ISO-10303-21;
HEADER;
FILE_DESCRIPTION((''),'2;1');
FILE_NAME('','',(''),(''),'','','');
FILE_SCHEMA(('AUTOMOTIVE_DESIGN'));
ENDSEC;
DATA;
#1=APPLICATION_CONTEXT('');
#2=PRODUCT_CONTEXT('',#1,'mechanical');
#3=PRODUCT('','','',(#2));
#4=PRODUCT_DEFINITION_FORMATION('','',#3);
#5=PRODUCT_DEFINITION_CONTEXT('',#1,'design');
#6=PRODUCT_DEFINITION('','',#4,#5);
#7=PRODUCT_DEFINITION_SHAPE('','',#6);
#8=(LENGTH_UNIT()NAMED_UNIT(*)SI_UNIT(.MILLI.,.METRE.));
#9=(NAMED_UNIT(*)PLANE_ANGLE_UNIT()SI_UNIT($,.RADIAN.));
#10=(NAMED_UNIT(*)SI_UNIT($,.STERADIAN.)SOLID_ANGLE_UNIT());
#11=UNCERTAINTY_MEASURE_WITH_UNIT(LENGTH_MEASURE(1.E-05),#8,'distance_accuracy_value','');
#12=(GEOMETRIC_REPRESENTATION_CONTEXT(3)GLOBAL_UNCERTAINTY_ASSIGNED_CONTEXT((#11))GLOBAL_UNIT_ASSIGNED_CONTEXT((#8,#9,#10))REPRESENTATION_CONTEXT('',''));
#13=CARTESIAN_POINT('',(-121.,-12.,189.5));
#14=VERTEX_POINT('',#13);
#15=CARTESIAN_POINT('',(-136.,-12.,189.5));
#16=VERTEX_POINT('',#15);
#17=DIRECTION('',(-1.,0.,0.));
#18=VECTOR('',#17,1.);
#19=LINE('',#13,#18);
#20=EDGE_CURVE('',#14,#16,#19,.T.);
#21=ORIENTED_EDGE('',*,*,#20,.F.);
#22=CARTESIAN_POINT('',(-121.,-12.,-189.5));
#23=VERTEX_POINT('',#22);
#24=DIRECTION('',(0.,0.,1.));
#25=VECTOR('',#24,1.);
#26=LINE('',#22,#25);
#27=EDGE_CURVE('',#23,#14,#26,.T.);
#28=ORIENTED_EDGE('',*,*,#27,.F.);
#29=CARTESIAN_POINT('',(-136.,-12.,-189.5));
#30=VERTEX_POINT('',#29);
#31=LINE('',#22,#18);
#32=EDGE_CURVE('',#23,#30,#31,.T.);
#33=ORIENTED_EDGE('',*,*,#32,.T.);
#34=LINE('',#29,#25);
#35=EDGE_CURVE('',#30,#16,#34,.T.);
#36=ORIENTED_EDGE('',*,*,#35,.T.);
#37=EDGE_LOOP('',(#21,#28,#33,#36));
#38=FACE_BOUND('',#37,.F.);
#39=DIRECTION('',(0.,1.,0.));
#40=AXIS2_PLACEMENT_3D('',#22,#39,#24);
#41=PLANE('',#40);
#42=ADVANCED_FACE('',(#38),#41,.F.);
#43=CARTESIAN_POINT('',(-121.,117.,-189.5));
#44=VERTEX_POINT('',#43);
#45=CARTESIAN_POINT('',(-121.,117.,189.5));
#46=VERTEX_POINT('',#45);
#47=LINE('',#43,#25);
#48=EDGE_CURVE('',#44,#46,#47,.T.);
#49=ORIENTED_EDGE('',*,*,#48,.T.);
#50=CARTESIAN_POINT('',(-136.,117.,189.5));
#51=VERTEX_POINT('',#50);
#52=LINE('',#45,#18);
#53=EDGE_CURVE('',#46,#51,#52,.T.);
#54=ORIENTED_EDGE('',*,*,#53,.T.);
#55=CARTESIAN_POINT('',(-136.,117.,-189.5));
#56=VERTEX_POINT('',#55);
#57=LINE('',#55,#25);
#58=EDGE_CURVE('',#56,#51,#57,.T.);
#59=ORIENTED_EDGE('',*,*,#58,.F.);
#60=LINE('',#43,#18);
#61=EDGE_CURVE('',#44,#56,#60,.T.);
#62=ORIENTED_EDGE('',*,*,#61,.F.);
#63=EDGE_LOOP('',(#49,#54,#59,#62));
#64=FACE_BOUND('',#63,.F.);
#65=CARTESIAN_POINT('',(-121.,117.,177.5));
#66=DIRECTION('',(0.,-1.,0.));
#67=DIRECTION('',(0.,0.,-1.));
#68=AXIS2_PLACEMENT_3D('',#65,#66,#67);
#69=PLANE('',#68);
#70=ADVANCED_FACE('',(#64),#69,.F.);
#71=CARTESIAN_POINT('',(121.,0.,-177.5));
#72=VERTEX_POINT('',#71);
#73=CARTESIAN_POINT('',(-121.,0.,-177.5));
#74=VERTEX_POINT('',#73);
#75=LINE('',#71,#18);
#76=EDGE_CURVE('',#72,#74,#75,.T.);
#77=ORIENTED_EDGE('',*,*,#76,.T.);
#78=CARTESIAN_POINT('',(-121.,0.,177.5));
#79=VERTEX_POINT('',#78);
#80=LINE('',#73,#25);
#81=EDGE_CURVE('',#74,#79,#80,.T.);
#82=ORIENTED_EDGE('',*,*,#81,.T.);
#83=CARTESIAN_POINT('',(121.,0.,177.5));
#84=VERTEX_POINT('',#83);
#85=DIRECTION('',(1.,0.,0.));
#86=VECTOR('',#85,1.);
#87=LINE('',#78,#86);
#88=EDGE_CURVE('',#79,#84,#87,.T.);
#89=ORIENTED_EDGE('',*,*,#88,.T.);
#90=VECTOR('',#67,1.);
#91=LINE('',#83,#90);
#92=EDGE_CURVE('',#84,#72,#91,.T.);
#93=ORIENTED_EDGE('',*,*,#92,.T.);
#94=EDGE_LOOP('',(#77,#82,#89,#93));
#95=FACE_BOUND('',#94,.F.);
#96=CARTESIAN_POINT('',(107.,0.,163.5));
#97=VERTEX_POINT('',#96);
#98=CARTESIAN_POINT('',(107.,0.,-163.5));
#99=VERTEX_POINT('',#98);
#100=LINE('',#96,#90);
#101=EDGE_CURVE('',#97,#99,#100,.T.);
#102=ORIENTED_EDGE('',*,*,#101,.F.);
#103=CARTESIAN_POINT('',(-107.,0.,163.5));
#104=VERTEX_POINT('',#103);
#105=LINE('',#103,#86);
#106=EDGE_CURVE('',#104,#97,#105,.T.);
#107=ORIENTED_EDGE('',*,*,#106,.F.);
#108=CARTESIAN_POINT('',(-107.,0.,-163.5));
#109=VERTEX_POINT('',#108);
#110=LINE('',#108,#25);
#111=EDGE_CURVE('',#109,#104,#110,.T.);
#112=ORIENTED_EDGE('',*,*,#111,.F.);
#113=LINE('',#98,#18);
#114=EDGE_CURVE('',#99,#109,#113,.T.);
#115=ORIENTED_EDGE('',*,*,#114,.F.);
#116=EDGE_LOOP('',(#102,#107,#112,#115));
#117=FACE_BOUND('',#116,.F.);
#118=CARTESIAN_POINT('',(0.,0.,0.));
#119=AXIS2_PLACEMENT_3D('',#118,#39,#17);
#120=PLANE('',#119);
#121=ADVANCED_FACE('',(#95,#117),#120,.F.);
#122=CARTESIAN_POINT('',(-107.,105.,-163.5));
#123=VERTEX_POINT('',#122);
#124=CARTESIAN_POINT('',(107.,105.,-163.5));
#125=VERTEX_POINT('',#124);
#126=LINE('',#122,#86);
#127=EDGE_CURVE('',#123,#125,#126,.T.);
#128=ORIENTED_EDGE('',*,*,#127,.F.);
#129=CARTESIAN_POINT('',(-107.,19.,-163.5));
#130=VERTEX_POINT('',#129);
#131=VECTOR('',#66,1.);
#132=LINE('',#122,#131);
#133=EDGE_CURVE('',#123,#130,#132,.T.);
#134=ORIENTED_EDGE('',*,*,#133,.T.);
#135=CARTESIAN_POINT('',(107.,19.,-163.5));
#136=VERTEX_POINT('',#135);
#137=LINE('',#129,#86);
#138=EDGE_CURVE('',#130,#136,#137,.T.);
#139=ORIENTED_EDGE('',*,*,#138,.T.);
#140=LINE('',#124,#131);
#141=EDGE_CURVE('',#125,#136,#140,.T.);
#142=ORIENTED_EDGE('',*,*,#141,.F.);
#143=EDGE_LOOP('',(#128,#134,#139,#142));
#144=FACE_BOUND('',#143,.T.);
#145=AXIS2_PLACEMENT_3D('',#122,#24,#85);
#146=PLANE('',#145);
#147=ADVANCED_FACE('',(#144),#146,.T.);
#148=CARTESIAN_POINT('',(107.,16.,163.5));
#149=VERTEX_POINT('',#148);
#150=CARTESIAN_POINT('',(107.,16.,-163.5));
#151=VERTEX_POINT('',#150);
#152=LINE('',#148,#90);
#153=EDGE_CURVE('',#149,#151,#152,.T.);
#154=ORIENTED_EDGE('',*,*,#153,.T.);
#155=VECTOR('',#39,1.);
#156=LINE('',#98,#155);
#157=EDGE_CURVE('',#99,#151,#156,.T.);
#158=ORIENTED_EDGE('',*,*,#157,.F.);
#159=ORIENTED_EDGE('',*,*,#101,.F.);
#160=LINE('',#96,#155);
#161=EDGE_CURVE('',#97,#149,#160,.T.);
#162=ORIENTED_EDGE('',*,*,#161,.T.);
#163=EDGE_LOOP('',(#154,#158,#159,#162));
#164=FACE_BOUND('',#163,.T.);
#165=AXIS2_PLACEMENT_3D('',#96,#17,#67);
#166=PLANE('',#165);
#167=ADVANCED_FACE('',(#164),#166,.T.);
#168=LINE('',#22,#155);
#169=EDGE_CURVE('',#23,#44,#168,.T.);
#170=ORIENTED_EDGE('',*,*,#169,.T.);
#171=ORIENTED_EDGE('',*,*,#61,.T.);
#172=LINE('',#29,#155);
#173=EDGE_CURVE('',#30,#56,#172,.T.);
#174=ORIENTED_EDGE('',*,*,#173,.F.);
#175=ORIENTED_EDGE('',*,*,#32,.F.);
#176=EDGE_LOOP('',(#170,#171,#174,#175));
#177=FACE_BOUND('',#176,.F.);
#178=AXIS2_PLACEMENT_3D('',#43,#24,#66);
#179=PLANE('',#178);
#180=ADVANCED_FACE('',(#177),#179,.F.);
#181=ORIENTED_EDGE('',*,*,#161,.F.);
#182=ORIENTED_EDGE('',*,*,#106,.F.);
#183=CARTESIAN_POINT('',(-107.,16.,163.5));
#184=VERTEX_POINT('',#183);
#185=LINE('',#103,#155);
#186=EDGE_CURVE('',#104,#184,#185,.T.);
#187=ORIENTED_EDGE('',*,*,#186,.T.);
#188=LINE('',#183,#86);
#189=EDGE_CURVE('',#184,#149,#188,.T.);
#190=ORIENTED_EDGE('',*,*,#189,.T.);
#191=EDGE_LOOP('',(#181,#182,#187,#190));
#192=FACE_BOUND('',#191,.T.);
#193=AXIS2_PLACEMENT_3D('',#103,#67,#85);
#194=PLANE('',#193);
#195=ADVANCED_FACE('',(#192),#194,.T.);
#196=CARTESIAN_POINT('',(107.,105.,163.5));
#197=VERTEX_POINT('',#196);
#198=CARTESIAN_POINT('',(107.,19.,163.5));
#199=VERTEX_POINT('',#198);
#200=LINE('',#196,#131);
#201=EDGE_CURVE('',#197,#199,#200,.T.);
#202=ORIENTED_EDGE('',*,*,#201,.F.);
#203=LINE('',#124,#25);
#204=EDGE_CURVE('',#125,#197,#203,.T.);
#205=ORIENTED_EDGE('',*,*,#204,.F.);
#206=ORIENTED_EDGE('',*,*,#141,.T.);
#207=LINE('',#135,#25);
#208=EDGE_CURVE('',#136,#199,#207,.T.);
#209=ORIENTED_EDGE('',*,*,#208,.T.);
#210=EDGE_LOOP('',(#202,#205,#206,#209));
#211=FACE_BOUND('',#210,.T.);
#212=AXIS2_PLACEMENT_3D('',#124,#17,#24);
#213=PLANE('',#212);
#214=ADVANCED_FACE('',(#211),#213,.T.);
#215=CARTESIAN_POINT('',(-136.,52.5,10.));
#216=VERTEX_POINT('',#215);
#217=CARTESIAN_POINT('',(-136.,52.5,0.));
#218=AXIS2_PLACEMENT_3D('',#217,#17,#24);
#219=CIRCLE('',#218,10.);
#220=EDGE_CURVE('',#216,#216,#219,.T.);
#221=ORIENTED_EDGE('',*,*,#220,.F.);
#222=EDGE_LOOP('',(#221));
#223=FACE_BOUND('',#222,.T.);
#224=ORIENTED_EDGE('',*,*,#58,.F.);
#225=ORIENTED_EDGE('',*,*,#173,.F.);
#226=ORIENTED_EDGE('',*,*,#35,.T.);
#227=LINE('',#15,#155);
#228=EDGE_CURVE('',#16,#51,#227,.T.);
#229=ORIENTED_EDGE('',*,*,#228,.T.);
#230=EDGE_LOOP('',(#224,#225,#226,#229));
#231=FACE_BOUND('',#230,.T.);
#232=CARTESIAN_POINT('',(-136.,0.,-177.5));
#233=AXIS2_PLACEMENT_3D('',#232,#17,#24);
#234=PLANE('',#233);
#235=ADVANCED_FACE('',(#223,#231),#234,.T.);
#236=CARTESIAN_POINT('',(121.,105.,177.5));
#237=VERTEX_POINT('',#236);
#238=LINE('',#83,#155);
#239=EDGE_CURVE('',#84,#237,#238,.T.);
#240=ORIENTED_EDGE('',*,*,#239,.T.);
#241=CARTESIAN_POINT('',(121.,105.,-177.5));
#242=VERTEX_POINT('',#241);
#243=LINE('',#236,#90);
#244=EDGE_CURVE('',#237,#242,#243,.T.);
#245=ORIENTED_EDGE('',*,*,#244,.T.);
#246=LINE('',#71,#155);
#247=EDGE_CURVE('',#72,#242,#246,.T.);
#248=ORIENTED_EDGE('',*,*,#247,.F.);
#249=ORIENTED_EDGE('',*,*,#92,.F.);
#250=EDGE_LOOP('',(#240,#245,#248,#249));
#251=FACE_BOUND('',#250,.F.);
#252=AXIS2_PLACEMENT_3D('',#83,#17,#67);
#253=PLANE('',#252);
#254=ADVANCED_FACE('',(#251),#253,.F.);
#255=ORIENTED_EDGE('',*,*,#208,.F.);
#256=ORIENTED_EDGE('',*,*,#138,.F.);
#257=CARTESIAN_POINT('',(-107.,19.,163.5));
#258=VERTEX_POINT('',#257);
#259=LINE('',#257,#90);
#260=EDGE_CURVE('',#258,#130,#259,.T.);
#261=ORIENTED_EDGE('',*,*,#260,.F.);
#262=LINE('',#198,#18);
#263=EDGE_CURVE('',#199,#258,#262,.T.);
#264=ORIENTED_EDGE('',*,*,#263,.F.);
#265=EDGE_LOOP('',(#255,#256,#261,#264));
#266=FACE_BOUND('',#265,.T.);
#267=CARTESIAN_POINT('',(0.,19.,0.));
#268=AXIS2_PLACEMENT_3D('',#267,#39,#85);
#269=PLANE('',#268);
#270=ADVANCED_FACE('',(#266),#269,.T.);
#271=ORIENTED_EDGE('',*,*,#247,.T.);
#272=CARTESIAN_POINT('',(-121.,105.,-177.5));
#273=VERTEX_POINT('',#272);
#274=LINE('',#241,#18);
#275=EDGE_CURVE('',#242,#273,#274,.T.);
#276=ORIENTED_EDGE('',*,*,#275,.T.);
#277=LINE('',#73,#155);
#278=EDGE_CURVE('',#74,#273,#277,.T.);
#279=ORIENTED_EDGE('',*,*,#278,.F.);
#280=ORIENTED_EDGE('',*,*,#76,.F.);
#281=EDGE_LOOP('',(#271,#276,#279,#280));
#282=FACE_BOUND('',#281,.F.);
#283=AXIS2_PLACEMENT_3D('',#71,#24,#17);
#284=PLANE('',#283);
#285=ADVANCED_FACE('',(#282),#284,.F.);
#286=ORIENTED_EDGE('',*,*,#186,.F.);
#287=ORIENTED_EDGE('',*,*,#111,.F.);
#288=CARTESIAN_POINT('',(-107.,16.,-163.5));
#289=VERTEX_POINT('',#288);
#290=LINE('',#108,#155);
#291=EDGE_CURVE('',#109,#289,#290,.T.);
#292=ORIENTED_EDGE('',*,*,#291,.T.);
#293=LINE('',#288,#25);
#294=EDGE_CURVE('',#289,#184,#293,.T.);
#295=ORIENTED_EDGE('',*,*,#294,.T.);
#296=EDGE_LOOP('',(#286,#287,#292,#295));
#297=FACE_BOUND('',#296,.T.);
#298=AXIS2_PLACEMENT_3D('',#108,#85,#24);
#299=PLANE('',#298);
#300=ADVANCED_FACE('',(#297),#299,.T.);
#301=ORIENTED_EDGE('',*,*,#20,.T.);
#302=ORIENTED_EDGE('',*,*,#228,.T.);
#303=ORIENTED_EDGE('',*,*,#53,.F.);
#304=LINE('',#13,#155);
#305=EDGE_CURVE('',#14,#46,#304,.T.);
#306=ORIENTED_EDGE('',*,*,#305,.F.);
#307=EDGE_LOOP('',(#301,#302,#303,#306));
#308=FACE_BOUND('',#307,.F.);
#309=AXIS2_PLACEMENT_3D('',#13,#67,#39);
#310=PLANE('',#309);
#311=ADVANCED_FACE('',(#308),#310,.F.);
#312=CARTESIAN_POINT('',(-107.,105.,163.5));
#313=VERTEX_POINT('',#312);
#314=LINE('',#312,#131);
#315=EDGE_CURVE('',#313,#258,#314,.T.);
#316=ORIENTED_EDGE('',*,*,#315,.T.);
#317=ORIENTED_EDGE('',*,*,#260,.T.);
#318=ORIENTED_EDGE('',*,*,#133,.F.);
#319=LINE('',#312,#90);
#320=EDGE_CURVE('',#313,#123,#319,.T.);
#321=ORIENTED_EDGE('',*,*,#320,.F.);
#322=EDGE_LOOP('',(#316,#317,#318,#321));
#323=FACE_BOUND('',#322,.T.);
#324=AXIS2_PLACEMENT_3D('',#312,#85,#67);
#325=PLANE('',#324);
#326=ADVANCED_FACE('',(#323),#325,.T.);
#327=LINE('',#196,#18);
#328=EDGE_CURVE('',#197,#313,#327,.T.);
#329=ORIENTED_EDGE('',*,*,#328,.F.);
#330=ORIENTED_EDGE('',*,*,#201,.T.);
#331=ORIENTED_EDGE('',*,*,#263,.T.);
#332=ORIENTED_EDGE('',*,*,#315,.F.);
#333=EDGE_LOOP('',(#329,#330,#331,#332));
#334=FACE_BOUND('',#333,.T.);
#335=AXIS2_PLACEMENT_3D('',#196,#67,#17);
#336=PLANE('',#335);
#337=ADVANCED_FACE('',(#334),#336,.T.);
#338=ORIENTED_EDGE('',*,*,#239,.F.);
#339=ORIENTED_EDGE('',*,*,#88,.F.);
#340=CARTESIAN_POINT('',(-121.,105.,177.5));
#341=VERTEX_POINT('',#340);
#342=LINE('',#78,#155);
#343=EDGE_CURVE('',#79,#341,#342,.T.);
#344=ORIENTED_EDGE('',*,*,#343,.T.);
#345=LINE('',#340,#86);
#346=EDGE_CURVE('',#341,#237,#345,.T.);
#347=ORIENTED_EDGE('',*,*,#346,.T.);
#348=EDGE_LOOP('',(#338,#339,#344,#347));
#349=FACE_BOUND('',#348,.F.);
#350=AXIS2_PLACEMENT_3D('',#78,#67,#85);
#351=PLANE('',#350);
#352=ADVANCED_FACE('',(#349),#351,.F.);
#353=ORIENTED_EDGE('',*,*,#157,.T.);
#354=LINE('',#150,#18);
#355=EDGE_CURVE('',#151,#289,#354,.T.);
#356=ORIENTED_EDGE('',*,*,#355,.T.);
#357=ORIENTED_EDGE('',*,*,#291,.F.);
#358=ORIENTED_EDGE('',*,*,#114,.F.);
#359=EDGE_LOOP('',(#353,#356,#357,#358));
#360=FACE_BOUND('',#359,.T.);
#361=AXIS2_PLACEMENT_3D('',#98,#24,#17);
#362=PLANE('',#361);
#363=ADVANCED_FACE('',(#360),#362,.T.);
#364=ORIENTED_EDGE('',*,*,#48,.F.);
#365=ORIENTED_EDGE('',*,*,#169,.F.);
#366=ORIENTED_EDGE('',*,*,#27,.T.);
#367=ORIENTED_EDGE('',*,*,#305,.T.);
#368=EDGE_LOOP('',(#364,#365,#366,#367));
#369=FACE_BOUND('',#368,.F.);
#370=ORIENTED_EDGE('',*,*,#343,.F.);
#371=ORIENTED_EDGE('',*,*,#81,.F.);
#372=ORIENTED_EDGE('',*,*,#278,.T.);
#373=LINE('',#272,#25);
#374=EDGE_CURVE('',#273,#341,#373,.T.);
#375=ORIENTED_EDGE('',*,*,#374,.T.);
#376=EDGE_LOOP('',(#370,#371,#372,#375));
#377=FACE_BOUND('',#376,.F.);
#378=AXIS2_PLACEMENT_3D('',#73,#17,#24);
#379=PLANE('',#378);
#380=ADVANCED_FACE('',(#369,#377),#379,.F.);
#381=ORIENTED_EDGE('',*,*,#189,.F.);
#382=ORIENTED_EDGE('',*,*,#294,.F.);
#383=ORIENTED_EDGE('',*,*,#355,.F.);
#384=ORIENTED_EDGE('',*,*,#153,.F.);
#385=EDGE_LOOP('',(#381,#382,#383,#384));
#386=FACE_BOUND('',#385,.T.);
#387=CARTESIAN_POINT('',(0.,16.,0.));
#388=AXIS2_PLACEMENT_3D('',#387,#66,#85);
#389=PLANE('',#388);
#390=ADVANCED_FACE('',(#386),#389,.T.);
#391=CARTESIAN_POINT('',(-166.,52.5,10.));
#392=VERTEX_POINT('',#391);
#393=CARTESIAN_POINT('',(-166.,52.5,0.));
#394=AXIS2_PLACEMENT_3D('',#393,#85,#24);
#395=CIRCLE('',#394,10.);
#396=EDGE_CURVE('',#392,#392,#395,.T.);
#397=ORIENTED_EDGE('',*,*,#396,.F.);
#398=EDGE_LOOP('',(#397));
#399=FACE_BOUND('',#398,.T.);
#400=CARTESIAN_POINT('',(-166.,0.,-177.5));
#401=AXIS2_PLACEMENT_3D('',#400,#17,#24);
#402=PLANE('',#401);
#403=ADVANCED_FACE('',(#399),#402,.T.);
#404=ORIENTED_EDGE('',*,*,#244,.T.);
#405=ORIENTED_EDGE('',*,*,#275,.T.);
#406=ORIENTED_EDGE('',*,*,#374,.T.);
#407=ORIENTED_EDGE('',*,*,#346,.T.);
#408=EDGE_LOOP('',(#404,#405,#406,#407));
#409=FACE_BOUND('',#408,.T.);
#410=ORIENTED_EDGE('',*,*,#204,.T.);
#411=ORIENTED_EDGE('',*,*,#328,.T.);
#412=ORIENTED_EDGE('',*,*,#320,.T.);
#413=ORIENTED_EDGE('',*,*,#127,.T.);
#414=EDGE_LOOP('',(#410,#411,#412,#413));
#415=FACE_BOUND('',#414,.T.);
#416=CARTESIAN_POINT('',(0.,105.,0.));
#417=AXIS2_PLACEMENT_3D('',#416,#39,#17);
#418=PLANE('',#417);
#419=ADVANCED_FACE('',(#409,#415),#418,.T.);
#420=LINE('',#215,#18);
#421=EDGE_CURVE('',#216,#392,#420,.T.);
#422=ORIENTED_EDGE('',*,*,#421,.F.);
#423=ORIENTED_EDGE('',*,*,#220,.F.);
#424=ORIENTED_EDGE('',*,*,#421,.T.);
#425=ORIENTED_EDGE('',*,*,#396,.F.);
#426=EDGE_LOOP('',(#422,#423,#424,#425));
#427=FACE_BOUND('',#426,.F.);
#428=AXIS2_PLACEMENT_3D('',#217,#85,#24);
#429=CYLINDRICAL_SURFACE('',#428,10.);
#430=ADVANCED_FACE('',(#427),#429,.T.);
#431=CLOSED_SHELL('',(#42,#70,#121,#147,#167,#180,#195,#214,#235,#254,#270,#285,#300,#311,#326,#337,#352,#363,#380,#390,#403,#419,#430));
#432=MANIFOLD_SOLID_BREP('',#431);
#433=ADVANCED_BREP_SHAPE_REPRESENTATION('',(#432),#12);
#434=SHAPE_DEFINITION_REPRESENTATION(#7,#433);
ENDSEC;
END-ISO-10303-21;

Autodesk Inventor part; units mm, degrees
ref_plane "YZ Plane" through (0, 0, 0) normal (1, 0, 0) x (0, 1, 0)
ref_plane "XZ Plane" through (0, 0, 0) normal (0, 1, 0) x (-1, 0, 0)
ref_plane "XY Plane" through (0, 0, 0) normal (0, 0, 1) x (1, 0, 0)
sketch "Boceto1" plane through (0, 0, 0) normal (0, 1, 0) x (-1, 0, 0)
  line L0 (-121, -177.5) -> (121, -177.5)
  line L1 (121, -177.5) -> (121, 177.5)
  line L2 (121, 177.5) -> (-121, 177.5)
  line L3 (-121, 177.5) -> (-121, -177.5)
  line L4 (-121, -177.5) -> (121, 177.5) construction
  line L5 (121, -177.5) -> (-121, 177.5) construction
  point P0 (0, 0)
  dimension "d0" = 242
  dimension "d1" = 355
extrude "Extrusión1" add sketch "Boceto1" along normal blind 105
sketch "Boceto2" plane through (0, 105, 0) normal (0, 1, 0) x (1, 0, 0)
  line L0 (-121, 177.5) -> (-121, -177.5) projected
  line L1 (-121, -177.5) -> (121, -177.5) projected
  line L2 (121, -177.5) -> (121, 177.5) projected
  line L3 (121, 177.5) -> (-121, 177.5) projected
  line L4 (107, -163.5) -> (-107, -163.5)
  line L5 (-107, -163.5) -> (-107, 163.5)
  line L6 (-107, 163.5) -> (107, 163.5)
  line L7 (107, 163.5) -> (107, -163.5)
  point P0 (0, 0)
  dimension "d4" = 14
extrude "Extrusión2" cut sketch "Boceto2" against normal blind 86 contours L4 L5 L6 L7
sketch "Boceto3" plane through (0, 0, 0) normal (0, -1, 0) x (1, 0, 0)
  line L0 (-121, -177.5) -> (-121, 177.5) projected
  line L1 (121, -177.5) -> (-121, -177.5) projected
  line L2 (121, 177.5) -> (121, -177.5) projected
  line L3 (-121, 177.5) -> (121, 177.5) projected
  line L4 (107, 163.5) -> (107, -163.5)
  line L5 (107, -163.5) -> (-107, -163.5)
  line L6 (-107, -163.5) -> (-107, 163.5)
  line L7 (-107, 163.5) -> (107, 163.5)
  point P0 (0, 0)
  dimension "d7" = 14
extrude "Extrusión3" cut sketch "Boceto3" against normal blind 16 contours L4 L5 L6 L7
sketch "Boceto4" plane through (-121, 0, -177.5) normal (-1, 0, 0) x (0, 0, 1)
  line L0 (0, 0) -> (355, 0) projected
  line L1 (355, 0) -> (355, 105) projected
  line L2 (0, 105) -> (355, 105) projected
  line L3 (0, 0) -> (0, 105) projected
  line L4 (355, 105) -> (355, 117)
  line L5 (355, 105) -> (367, 105) construction
  line L6 (355, 117) -> (367, 117)
  line L7 (0, 0) -> (-12, 0)
  line L8 (-12, 0) -> (-12, -12)
  line L9 (-12, -12) -> (367, -12)
  line L10 (367, -12) -> (367, 117)
  line L11 (367, 117) -> (-12, 117)
  line L12 (-12, 117) -> (-12, -12)
  point P0 (177.5, 0)
  point P1 (-12, 0)
  dimension "d10" = 12
  dimension "d11" = 90
  dimension "d12" = 12
  dimension "d13" = 90
  dimension "d14" = 12
  dimension "d15" = 12
  dimension "d16" = 90
extrude "Extrusión4" add sketch "Boceto4" along normal blind 15
sketch "Boceto5" plane through (-136, 0, -177.5) normal (-1, 0, 0) x (0, 0, 1)
  line L0 (-12, 117) -> (-12, -12) projected
  line L1 (-12, -12) -> (367, -12) projected
  line L2 (367, -12) -> (367, 117) projected
  line L3 (367, 117) -> (-12, 117) projected
  line L4 (-12, -12) -> (367, 117)
  circle A0 centre (177.5, 52.5) radius 10
  point P0 (177.5, 0)
  dimension "d19" = 20
extrude "Extrusión5" add sketch "Boceto5" along normal blind 30 contours A0 L4 | L4 A0
properties part number "Cajon"
